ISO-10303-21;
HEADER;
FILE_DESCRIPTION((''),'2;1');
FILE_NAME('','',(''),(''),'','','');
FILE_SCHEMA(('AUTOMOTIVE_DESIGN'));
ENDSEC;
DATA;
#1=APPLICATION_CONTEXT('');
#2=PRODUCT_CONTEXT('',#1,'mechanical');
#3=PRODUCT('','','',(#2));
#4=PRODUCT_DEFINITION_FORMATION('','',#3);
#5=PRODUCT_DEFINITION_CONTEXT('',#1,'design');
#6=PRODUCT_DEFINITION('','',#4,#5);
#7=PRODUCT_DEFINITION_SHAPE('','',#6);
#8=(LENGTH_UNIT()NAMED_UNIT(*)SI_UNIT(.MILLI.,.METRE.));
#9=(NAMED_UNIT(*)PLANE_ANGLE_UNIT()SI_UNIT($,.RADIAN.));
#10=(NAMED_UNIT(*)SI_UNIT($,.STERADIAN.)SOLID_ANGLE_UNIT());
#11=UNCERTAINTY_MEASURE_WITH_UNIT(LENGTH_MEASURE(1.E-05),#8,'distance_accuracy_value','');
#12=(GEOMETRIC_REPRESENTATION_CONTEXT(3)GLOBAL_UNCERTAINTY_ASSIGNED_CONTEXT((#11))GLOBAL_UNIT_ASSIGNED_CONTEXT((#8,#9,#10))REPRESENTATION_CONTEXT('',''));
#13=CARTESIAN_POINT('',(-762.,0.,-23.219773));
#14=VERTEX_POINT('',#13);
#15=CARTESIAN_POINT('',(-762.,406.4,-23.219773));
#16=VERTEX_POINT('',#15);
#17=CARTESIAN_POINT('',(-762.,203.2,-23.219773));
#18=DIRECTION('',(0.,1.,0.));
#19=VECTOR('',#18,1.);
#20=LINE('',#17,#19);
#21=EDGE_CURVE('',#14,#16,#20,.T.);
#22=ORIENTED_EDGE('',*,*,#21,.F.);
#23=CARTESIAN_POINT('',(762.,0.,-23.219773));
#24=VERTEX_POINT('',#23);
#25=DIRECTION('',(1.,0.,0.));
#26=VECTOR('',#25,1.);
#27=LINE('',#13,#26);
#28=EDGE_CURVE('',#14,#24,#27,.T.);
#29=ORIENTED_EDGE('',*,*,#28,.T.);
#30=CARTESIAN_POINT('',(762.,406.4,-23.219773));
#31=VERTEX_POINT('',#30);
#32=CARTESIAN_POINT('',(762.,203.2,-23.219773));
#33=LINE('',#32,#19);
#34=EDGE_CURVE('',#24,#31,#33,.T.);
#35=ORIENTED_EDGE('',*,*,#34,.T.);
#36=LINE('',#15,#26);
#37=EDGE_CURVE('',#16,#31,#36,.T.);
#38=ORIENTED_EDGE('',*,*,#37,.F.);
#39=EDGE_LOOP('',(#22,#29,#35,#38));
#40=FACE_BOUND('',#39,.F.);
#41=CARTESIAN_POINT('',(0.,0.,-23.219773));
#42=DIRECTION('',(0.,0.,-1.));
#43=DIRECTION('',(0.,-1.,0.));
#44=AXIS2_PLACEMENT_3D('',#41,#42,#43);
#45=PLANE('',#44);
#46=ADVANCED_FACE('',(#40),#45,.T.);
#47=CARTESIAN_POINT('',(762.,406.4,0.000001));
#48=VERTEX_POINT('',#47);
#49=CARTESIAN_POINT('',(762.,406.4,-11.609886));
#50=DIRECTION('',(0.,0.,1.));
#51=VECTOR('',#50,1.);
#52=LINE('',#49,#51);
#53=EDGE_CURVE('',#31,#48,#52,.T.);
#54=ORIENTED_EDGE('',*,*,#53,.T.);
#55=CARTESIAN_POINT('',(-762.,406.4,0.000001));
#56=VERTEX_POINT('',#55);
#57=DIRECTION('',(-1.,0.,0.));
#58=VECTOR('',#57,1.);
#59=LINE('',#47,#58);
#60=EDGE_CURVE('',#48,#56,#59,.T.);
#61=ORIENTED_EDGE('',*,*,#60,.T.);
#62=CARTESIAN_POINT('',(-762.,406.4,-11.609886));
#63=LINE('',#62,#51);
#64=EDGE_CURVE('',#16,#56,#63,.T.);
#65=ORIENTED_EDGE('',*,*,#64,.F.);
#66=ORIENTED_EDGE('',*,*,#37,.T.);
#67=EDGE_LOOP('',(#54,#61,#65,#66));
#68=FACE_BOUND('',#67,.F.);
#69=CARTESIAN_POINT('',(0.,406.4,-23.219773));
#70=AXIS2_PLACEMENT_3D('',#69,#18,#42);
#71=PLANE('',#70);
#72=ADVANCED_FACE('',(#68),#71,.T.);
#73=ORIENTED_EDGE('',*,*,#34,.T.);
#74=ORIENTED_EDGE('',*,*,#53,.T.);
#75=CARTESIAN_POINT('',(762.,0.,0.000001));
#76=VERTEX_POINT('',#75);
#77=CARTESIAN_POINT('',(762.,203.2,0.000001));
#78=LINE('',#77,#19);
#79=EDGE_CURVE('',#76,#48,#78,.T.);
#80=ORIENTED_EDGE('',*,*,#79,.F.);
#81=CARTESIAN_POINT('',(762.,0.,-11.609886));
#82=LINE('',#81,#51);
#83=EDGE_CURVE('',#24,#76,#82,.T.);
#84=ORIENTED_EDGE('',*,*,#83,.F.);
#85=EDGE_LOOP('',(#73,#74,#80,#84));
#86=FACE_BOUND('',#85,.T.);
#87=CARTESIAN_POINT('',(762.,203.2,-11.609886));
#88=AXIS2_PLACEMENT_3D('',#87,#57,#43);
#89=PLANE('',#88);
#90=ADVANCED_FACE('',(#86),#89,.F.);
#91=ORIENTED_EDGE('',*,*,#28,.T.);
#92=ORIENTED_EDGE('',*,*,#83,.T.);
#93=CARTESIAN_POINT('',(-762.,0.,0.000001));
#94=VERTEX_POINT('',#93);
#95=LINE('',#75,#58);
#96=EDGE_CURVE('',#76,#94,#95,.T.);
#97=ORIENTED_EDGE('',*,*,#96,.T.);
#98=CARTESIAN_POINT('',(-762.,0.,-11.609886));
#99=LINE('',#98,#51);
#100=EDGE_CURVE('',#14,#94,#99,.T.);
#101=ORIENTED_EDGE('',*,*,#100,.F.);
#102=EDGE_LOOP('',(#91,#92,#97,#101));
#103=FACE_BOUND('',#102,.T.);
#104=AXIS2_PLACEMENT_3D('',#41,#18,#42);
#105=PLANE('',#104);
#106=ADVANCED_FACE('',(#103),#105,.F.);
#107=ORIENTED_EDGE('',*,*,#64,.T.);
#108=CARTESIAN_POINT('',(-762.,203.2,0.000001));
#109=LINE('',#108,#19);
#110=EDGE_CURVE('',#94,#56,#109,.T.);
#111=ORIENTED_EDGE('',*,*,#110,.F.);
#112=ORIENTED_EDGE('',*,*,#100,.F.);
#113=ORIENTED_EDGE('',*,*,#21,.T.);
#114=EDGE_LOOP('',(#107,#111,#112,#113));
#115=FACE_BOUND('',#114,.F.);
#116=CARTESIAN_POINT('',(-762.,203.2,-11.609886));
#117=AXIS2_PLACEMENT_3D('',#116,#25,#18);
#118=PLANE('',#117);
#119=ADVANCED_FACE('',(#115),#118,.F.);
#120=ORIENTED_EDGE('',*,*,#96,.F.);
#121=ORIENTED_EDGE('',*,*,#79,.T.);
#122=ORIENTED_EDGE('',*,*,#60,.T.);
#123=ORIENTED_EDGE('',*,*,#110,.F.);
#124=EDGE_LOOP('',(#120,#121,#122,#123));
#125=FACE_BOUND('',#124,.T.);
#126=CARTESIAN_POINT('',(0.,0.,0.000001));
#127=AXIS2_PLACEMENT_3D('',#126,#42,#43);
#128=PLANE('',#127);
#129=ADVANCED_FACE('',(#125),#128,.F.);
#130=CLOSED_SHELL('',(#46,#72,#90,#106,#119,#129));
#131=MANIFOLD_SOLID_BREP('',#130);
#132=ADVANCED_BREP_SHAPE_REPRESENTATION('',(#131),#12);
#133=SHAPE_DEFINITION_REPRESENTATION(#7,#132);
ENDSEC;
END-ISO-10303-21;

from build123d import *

# Parameters (mm, degrees)
F0_W     = 406.4
F0_H     = 23.219773
F1_DEPTH = 762


with BuildPart() as f1:
    # F0 (on Right) → F1 (new body)
    with BuildSketch(Plane.YZ):
        with Locations((203.2, -11.609886)):
            Rectangle(F0_W, F0_H)
    extrude(amount=-F1_DEPTH)

    # F2: F1 across plane


with BuildPart() as f1_1:
    add(f1.part)
    add(f1.part.mirror(Plane.YZ))


solid = f1_1.part
